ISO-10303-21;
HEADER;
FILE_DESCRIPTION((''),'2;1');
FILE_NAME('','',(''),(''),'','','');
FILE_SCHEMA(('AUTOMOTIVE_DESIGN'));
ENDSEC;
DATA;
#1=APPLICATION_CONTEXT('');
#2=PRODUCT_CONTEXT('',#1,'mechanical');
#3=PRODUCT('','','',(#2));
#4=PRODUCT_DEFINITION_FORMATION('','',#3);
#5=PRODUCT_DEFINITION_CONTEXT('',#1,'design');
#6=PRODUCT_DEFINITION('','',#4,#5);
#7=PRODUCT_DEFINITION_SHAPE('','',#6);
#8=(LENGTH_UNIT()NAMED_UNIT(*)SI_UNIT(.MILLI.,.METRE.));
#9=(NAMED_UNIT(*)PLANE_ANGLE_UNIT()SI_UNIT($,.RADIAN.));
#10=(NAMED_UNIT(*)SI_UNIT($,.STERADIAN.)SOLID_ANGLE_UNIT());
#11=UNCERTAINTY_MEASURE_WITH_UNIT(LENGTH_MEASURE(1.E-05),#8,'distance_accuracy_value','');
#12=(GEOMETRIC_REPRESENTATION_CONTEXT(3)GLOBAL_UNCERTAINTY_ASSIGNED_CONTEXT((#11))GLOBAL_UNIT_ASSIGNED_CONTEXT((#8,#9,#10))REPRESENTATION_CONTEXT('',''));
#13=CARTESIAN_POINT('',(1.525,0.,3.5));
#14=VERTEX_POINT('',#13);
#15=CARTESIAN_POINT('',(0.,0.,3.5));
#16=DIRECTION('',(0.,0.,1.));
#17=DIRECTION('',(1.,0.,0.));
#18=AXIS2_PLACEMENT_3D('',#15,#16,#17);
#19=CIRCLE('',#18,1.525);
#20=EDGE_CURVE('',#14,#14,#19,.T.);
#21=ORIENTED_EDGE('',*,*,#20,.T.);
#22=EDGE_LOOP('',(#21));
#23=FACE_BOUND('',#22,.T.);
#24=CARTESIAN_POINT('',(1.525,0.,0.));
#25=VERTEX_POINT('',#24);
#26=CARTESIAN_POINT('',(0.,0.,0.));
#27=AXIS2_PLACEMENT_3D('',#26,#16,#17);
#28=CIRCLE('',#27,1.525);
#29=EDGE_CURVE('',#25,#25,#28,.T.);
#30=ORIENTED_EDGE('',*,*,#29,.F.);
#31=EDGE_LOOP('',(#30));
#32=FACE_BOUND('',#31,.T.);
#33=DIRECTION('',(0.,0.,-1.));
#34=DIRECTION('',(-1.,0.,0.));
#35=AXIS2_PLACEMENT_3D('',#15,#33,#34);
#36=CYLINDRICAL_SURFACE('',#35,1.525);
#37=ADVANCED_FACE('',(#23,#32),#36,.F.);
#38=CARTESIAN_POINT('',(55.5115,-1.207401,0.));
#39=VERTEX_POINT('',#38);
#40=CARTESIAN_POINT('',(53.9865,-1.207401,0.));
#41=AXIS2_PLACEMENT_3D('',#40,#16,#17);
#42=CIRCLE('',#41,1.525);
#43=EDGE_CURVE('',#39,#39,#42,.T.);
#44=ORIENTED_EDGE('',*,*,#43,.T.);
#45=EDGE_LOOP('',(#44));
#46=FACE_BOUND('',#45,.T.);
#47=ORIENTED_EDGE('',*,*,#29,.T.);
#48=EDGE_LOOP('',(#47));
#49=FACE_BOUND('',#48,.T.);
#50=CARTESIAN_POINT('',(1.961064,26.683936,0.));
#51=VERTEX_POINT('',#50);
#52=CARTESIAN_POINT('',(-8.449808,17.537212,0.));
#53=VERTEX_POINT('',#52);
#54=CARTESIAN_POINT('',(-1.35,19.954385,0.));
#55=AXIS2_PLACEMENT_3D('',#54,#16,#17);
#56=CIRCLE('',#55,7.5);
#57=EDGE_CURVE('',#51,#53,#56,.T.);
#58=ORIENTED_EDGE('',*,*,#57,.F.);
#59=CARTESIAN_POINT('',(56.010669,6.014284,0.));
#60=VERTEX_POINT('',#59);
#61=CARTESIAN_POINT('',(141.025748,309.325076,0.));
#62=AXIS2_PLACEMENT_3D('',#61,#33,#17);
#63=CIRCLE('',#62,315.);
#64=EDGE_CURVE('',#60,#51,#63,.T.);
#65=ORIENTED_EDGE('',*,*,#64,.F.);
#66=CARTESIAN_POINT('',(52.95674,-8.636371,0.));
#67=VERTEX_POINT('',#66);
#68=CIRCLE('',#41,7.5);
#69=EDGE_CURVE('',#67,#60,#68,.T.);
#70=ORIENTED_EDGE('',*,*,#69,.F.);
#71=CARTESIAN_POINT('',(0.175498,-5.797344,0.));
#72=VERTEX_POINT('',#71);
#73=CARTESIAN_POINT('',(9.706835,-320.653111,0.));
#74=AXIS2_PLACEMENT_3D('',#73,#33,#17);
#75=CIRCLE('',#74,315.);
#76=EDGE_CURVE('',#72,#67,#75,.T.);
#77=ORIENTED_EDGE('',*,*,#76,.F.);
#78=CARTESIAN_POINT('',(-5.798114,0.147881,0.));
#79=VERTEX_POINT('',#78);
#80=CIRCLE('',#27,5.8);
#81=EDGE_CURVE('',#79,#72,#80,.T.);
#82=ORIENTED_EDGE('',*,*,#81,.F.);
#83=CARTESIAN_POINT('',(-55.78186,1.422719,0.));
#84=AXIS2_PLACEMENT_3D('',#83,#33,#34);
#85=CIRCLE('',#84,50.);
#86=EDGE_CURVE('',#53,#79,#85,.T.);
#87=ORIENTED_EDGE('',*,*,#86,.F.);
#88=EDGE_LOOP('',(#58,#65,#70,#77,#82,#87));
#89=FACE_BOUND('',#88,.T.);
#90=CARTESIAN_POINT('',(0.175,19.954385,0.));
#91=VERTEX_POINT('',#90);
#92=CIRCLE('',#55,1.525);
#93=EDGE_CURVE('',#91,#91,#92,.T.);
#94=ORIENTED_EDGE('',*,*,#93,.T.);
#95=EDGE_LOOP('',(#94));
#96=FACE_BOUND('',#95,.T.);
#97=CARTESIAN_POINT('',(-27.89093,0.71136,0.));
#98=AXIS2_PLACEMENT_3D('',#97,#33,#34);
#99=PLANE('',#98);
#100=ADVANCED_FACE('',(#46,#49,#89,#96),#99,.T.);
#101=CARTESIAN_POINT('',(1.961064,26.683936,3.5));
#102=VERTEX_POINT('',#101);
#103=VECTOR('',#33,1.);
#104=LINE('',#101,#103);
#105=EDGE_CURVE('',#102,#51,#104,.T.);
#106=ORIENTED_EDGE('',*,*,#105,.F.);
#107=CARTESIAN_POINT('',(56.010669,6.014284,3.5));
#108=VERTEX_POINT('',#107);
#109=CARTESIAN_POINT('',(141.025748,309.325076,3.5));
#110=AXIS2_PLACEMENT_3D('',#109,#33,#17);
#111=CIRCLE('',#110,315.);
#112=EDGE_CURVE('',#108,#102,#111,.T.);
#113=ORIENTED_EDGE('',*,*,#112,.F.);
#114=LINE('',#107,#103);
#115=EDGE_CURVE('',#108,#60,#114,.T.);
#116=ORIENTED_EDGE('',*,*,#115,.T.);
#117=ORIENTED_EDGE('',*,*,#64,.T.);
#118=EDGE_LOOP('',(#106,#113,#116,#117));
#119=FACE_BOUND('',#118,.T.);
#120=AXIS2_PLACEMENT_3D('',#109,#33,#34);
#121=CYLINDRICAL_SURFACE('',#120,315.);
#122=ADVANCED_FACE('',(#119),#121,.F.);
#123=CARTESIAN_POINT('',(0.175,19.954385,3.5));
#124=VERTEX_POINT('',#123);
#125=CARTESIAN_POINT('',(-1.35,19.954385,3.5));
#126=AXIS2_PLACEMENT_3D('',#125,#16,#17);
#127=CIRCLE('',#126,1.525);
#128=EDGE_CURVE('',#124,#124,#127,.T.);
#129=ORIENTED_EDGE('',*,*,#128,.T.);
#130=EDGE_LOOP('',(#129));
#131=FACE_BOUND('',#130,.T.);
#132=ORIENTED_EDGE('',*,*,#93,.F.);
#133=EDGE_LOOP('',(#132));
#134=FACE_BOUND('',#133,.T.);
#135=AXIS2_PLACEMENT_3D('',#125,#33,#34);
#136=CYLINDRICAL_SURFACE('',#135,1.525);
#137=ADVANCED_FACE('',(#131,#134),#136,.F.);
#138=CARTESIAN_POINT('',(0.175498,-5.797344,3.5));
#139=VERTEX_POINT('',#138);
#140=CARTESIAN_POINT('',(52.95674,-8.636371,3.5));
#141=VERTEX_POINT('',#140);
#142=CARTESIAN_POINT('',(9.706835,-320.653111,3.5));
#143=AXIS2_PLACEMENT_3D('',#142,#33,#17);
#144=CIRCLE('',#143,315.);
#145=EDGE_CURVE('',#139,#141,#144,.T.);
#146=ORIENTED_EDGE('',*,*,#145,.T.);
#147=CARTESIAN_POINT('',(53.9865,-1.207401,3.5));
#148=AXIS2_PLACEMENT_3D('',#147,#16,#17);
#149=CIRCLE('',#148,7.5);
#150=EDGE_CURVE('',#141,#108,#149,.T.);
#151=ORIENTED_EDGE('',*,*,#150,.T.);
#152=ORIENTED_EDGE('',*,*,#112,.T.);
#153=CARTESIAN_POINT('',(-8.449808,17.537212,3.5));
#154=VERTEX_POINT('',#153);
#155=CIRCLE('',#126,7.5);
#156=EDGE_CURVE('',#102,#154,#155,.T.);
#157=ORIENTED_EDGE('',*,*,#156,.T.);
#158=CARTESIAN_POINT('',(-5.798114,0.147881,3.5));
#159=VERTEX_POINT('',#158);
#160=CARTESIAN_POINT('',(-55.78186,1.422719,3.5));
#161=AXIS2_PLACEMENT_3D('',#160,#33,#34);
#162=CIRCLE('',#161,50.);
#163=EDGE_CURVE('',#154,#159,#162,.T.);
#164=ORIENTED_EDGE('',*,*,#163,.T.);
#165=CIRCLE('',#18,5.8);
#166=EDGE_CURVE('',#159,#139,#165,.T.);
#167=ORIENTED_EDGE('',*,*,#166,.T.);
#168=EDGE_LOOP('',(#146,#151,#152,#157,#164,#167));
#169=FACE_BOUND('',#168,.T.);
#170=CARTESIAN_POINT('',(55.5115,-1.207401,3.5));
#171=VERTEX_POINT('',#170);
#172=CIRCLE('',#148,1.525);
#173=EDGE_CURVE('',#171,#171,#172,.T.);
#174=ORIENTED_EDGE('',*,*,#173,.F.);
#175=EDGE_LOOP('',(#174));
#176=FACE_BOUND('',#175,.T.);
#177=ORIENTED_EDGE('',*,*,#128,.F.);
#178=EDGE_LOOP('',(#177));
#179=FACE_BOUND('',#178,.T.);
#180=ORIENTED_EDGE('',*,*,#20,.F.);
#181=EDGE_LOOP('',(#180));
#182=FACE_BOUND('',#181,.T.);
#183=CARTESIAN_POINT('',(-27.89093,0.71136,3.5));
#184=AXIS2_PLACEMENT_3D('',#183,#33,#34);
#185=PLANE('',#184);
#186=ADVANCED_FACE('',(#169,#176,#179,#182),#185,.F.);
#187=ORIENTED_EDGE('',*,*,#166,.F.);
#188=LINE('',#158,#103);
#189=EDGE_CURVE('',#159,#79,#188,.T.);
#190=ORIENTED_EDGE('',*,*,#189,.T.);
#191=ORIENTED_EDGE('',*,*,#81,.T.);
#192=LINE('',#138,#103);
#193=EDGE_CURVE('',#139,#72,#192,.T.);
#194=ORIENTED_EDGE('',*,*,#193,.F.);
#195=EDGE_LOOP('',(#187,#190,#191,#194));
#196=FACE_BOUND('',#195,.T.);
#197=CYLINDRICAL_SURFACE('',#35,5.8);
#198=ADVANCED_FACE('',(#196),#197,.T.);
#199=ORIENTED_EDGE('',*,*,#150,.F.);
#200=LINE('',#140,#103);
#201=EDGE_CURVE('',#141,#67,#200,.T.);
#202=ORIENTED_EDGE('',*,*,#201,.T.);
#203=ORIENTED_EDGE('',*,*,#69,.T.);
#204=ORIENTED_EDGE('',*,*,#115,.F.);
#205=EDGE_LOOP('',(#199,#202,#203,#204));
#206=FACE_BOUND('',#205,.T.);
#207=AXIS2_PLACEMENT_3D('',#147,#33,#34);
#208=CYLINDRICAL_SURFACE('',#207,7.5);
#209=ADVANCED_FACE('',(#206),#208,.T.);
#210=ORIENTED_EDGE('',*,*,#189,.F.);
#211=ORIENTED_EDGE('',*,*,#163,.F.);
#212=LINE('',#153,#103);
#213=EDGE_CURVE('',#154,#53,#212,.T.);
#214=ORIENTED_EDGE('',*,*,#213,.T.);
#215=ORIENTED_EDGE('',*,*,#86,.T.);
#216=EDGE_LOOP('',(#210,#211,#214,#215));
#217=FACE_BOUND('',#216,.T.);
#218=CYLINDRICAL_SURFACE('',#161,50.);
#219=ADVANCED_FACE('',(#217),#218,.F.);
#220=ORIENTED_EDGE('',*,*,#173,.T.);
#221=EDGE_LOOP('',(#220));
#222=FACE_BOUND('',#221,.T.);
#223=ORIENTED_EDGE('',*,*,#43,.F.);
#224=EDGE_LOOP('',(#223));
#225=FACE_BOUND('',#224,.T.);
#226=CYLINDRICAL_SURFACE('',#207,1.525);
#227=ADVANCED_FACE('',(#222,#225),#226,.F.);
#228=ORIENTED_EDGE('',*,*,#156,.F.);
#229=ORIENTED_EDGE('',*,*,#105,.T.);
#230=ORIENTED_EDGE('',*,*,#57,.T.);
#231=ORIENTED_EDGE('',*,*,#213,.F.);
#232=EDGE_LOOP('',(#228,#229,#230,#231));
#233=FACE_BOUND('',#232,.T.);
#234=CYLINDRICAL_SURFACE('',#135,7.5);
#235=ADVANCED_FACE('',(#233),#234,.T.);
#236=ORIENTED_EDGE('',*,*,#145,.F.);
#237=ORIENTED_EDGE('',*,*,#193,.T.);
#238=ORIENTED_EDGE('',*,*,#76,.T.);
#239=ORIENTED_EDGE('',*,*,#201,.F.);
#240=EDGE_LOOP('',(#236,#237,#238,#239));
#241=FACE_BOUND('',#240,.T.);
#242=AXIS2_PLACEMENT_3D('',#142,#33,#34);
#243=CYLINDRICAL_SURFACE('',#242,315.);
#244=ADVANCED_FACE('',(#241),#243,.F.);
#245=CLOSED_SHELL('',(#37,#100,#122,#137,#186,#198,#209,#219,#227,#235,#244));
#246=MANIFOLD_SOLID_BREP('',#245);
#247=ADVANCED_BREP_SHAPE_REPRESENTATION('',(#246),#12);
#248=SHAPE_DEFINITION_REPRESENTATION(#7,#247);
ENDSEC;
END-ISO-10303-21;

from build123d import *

# Parameters (mm, degrees)
SKETCH1_R           = 1.525
BOSS_EXTRUDE1_DEPTH = 3.5


with BuildPart() as part:
    # Sketch1 → Boss-Extrude1 (new body)
    with BuildSketch(Plane.XY):
        with BuildLine():
            ThreePointArc((-5.798114447, 0.147881218), (-4.091440025, -4.110975374), (0.175497637, -5.79734427))
            ThreePointArc((0.175497637, -5.79734427), (26.625773358, -6.107804645), (52.956740344, -8.636371224))
            ThreePointArc((52.956740344, -8.636371224), (61.328682163, -2.737878642), (56.01066855, 6.014284277))
            ThreePointArc((56.01066855, 6.014284277), (28.510221344, 15.105334328), (1.961063899, 26.683936423))
            ThreePointArc((1.961063899, 26.683936423), (-6.300180669, 25.588718748), (-8.449807785, 17.537211633))
            ThreePointArc((-8.449807785, 17.537211633), (-6.353241495, 8.96007321), (-5.798114447, 0.147881218))
        make_face()
        with Locations((-1.35, 19.954385483)):
            Circle(SKETCH1_R, mode=Mode.SUBTRACT)
        Circle(SKETCH1_R, mode=Mode.SUBTRACT)
        with Locations((53.9865, -1.207401238)):
            Circle(SKETCH1_R, mode=Mode.SUBTRACT)
    extrude(amount=BOSS_EXTRUDE1_DEPTH)


solid = part.part
